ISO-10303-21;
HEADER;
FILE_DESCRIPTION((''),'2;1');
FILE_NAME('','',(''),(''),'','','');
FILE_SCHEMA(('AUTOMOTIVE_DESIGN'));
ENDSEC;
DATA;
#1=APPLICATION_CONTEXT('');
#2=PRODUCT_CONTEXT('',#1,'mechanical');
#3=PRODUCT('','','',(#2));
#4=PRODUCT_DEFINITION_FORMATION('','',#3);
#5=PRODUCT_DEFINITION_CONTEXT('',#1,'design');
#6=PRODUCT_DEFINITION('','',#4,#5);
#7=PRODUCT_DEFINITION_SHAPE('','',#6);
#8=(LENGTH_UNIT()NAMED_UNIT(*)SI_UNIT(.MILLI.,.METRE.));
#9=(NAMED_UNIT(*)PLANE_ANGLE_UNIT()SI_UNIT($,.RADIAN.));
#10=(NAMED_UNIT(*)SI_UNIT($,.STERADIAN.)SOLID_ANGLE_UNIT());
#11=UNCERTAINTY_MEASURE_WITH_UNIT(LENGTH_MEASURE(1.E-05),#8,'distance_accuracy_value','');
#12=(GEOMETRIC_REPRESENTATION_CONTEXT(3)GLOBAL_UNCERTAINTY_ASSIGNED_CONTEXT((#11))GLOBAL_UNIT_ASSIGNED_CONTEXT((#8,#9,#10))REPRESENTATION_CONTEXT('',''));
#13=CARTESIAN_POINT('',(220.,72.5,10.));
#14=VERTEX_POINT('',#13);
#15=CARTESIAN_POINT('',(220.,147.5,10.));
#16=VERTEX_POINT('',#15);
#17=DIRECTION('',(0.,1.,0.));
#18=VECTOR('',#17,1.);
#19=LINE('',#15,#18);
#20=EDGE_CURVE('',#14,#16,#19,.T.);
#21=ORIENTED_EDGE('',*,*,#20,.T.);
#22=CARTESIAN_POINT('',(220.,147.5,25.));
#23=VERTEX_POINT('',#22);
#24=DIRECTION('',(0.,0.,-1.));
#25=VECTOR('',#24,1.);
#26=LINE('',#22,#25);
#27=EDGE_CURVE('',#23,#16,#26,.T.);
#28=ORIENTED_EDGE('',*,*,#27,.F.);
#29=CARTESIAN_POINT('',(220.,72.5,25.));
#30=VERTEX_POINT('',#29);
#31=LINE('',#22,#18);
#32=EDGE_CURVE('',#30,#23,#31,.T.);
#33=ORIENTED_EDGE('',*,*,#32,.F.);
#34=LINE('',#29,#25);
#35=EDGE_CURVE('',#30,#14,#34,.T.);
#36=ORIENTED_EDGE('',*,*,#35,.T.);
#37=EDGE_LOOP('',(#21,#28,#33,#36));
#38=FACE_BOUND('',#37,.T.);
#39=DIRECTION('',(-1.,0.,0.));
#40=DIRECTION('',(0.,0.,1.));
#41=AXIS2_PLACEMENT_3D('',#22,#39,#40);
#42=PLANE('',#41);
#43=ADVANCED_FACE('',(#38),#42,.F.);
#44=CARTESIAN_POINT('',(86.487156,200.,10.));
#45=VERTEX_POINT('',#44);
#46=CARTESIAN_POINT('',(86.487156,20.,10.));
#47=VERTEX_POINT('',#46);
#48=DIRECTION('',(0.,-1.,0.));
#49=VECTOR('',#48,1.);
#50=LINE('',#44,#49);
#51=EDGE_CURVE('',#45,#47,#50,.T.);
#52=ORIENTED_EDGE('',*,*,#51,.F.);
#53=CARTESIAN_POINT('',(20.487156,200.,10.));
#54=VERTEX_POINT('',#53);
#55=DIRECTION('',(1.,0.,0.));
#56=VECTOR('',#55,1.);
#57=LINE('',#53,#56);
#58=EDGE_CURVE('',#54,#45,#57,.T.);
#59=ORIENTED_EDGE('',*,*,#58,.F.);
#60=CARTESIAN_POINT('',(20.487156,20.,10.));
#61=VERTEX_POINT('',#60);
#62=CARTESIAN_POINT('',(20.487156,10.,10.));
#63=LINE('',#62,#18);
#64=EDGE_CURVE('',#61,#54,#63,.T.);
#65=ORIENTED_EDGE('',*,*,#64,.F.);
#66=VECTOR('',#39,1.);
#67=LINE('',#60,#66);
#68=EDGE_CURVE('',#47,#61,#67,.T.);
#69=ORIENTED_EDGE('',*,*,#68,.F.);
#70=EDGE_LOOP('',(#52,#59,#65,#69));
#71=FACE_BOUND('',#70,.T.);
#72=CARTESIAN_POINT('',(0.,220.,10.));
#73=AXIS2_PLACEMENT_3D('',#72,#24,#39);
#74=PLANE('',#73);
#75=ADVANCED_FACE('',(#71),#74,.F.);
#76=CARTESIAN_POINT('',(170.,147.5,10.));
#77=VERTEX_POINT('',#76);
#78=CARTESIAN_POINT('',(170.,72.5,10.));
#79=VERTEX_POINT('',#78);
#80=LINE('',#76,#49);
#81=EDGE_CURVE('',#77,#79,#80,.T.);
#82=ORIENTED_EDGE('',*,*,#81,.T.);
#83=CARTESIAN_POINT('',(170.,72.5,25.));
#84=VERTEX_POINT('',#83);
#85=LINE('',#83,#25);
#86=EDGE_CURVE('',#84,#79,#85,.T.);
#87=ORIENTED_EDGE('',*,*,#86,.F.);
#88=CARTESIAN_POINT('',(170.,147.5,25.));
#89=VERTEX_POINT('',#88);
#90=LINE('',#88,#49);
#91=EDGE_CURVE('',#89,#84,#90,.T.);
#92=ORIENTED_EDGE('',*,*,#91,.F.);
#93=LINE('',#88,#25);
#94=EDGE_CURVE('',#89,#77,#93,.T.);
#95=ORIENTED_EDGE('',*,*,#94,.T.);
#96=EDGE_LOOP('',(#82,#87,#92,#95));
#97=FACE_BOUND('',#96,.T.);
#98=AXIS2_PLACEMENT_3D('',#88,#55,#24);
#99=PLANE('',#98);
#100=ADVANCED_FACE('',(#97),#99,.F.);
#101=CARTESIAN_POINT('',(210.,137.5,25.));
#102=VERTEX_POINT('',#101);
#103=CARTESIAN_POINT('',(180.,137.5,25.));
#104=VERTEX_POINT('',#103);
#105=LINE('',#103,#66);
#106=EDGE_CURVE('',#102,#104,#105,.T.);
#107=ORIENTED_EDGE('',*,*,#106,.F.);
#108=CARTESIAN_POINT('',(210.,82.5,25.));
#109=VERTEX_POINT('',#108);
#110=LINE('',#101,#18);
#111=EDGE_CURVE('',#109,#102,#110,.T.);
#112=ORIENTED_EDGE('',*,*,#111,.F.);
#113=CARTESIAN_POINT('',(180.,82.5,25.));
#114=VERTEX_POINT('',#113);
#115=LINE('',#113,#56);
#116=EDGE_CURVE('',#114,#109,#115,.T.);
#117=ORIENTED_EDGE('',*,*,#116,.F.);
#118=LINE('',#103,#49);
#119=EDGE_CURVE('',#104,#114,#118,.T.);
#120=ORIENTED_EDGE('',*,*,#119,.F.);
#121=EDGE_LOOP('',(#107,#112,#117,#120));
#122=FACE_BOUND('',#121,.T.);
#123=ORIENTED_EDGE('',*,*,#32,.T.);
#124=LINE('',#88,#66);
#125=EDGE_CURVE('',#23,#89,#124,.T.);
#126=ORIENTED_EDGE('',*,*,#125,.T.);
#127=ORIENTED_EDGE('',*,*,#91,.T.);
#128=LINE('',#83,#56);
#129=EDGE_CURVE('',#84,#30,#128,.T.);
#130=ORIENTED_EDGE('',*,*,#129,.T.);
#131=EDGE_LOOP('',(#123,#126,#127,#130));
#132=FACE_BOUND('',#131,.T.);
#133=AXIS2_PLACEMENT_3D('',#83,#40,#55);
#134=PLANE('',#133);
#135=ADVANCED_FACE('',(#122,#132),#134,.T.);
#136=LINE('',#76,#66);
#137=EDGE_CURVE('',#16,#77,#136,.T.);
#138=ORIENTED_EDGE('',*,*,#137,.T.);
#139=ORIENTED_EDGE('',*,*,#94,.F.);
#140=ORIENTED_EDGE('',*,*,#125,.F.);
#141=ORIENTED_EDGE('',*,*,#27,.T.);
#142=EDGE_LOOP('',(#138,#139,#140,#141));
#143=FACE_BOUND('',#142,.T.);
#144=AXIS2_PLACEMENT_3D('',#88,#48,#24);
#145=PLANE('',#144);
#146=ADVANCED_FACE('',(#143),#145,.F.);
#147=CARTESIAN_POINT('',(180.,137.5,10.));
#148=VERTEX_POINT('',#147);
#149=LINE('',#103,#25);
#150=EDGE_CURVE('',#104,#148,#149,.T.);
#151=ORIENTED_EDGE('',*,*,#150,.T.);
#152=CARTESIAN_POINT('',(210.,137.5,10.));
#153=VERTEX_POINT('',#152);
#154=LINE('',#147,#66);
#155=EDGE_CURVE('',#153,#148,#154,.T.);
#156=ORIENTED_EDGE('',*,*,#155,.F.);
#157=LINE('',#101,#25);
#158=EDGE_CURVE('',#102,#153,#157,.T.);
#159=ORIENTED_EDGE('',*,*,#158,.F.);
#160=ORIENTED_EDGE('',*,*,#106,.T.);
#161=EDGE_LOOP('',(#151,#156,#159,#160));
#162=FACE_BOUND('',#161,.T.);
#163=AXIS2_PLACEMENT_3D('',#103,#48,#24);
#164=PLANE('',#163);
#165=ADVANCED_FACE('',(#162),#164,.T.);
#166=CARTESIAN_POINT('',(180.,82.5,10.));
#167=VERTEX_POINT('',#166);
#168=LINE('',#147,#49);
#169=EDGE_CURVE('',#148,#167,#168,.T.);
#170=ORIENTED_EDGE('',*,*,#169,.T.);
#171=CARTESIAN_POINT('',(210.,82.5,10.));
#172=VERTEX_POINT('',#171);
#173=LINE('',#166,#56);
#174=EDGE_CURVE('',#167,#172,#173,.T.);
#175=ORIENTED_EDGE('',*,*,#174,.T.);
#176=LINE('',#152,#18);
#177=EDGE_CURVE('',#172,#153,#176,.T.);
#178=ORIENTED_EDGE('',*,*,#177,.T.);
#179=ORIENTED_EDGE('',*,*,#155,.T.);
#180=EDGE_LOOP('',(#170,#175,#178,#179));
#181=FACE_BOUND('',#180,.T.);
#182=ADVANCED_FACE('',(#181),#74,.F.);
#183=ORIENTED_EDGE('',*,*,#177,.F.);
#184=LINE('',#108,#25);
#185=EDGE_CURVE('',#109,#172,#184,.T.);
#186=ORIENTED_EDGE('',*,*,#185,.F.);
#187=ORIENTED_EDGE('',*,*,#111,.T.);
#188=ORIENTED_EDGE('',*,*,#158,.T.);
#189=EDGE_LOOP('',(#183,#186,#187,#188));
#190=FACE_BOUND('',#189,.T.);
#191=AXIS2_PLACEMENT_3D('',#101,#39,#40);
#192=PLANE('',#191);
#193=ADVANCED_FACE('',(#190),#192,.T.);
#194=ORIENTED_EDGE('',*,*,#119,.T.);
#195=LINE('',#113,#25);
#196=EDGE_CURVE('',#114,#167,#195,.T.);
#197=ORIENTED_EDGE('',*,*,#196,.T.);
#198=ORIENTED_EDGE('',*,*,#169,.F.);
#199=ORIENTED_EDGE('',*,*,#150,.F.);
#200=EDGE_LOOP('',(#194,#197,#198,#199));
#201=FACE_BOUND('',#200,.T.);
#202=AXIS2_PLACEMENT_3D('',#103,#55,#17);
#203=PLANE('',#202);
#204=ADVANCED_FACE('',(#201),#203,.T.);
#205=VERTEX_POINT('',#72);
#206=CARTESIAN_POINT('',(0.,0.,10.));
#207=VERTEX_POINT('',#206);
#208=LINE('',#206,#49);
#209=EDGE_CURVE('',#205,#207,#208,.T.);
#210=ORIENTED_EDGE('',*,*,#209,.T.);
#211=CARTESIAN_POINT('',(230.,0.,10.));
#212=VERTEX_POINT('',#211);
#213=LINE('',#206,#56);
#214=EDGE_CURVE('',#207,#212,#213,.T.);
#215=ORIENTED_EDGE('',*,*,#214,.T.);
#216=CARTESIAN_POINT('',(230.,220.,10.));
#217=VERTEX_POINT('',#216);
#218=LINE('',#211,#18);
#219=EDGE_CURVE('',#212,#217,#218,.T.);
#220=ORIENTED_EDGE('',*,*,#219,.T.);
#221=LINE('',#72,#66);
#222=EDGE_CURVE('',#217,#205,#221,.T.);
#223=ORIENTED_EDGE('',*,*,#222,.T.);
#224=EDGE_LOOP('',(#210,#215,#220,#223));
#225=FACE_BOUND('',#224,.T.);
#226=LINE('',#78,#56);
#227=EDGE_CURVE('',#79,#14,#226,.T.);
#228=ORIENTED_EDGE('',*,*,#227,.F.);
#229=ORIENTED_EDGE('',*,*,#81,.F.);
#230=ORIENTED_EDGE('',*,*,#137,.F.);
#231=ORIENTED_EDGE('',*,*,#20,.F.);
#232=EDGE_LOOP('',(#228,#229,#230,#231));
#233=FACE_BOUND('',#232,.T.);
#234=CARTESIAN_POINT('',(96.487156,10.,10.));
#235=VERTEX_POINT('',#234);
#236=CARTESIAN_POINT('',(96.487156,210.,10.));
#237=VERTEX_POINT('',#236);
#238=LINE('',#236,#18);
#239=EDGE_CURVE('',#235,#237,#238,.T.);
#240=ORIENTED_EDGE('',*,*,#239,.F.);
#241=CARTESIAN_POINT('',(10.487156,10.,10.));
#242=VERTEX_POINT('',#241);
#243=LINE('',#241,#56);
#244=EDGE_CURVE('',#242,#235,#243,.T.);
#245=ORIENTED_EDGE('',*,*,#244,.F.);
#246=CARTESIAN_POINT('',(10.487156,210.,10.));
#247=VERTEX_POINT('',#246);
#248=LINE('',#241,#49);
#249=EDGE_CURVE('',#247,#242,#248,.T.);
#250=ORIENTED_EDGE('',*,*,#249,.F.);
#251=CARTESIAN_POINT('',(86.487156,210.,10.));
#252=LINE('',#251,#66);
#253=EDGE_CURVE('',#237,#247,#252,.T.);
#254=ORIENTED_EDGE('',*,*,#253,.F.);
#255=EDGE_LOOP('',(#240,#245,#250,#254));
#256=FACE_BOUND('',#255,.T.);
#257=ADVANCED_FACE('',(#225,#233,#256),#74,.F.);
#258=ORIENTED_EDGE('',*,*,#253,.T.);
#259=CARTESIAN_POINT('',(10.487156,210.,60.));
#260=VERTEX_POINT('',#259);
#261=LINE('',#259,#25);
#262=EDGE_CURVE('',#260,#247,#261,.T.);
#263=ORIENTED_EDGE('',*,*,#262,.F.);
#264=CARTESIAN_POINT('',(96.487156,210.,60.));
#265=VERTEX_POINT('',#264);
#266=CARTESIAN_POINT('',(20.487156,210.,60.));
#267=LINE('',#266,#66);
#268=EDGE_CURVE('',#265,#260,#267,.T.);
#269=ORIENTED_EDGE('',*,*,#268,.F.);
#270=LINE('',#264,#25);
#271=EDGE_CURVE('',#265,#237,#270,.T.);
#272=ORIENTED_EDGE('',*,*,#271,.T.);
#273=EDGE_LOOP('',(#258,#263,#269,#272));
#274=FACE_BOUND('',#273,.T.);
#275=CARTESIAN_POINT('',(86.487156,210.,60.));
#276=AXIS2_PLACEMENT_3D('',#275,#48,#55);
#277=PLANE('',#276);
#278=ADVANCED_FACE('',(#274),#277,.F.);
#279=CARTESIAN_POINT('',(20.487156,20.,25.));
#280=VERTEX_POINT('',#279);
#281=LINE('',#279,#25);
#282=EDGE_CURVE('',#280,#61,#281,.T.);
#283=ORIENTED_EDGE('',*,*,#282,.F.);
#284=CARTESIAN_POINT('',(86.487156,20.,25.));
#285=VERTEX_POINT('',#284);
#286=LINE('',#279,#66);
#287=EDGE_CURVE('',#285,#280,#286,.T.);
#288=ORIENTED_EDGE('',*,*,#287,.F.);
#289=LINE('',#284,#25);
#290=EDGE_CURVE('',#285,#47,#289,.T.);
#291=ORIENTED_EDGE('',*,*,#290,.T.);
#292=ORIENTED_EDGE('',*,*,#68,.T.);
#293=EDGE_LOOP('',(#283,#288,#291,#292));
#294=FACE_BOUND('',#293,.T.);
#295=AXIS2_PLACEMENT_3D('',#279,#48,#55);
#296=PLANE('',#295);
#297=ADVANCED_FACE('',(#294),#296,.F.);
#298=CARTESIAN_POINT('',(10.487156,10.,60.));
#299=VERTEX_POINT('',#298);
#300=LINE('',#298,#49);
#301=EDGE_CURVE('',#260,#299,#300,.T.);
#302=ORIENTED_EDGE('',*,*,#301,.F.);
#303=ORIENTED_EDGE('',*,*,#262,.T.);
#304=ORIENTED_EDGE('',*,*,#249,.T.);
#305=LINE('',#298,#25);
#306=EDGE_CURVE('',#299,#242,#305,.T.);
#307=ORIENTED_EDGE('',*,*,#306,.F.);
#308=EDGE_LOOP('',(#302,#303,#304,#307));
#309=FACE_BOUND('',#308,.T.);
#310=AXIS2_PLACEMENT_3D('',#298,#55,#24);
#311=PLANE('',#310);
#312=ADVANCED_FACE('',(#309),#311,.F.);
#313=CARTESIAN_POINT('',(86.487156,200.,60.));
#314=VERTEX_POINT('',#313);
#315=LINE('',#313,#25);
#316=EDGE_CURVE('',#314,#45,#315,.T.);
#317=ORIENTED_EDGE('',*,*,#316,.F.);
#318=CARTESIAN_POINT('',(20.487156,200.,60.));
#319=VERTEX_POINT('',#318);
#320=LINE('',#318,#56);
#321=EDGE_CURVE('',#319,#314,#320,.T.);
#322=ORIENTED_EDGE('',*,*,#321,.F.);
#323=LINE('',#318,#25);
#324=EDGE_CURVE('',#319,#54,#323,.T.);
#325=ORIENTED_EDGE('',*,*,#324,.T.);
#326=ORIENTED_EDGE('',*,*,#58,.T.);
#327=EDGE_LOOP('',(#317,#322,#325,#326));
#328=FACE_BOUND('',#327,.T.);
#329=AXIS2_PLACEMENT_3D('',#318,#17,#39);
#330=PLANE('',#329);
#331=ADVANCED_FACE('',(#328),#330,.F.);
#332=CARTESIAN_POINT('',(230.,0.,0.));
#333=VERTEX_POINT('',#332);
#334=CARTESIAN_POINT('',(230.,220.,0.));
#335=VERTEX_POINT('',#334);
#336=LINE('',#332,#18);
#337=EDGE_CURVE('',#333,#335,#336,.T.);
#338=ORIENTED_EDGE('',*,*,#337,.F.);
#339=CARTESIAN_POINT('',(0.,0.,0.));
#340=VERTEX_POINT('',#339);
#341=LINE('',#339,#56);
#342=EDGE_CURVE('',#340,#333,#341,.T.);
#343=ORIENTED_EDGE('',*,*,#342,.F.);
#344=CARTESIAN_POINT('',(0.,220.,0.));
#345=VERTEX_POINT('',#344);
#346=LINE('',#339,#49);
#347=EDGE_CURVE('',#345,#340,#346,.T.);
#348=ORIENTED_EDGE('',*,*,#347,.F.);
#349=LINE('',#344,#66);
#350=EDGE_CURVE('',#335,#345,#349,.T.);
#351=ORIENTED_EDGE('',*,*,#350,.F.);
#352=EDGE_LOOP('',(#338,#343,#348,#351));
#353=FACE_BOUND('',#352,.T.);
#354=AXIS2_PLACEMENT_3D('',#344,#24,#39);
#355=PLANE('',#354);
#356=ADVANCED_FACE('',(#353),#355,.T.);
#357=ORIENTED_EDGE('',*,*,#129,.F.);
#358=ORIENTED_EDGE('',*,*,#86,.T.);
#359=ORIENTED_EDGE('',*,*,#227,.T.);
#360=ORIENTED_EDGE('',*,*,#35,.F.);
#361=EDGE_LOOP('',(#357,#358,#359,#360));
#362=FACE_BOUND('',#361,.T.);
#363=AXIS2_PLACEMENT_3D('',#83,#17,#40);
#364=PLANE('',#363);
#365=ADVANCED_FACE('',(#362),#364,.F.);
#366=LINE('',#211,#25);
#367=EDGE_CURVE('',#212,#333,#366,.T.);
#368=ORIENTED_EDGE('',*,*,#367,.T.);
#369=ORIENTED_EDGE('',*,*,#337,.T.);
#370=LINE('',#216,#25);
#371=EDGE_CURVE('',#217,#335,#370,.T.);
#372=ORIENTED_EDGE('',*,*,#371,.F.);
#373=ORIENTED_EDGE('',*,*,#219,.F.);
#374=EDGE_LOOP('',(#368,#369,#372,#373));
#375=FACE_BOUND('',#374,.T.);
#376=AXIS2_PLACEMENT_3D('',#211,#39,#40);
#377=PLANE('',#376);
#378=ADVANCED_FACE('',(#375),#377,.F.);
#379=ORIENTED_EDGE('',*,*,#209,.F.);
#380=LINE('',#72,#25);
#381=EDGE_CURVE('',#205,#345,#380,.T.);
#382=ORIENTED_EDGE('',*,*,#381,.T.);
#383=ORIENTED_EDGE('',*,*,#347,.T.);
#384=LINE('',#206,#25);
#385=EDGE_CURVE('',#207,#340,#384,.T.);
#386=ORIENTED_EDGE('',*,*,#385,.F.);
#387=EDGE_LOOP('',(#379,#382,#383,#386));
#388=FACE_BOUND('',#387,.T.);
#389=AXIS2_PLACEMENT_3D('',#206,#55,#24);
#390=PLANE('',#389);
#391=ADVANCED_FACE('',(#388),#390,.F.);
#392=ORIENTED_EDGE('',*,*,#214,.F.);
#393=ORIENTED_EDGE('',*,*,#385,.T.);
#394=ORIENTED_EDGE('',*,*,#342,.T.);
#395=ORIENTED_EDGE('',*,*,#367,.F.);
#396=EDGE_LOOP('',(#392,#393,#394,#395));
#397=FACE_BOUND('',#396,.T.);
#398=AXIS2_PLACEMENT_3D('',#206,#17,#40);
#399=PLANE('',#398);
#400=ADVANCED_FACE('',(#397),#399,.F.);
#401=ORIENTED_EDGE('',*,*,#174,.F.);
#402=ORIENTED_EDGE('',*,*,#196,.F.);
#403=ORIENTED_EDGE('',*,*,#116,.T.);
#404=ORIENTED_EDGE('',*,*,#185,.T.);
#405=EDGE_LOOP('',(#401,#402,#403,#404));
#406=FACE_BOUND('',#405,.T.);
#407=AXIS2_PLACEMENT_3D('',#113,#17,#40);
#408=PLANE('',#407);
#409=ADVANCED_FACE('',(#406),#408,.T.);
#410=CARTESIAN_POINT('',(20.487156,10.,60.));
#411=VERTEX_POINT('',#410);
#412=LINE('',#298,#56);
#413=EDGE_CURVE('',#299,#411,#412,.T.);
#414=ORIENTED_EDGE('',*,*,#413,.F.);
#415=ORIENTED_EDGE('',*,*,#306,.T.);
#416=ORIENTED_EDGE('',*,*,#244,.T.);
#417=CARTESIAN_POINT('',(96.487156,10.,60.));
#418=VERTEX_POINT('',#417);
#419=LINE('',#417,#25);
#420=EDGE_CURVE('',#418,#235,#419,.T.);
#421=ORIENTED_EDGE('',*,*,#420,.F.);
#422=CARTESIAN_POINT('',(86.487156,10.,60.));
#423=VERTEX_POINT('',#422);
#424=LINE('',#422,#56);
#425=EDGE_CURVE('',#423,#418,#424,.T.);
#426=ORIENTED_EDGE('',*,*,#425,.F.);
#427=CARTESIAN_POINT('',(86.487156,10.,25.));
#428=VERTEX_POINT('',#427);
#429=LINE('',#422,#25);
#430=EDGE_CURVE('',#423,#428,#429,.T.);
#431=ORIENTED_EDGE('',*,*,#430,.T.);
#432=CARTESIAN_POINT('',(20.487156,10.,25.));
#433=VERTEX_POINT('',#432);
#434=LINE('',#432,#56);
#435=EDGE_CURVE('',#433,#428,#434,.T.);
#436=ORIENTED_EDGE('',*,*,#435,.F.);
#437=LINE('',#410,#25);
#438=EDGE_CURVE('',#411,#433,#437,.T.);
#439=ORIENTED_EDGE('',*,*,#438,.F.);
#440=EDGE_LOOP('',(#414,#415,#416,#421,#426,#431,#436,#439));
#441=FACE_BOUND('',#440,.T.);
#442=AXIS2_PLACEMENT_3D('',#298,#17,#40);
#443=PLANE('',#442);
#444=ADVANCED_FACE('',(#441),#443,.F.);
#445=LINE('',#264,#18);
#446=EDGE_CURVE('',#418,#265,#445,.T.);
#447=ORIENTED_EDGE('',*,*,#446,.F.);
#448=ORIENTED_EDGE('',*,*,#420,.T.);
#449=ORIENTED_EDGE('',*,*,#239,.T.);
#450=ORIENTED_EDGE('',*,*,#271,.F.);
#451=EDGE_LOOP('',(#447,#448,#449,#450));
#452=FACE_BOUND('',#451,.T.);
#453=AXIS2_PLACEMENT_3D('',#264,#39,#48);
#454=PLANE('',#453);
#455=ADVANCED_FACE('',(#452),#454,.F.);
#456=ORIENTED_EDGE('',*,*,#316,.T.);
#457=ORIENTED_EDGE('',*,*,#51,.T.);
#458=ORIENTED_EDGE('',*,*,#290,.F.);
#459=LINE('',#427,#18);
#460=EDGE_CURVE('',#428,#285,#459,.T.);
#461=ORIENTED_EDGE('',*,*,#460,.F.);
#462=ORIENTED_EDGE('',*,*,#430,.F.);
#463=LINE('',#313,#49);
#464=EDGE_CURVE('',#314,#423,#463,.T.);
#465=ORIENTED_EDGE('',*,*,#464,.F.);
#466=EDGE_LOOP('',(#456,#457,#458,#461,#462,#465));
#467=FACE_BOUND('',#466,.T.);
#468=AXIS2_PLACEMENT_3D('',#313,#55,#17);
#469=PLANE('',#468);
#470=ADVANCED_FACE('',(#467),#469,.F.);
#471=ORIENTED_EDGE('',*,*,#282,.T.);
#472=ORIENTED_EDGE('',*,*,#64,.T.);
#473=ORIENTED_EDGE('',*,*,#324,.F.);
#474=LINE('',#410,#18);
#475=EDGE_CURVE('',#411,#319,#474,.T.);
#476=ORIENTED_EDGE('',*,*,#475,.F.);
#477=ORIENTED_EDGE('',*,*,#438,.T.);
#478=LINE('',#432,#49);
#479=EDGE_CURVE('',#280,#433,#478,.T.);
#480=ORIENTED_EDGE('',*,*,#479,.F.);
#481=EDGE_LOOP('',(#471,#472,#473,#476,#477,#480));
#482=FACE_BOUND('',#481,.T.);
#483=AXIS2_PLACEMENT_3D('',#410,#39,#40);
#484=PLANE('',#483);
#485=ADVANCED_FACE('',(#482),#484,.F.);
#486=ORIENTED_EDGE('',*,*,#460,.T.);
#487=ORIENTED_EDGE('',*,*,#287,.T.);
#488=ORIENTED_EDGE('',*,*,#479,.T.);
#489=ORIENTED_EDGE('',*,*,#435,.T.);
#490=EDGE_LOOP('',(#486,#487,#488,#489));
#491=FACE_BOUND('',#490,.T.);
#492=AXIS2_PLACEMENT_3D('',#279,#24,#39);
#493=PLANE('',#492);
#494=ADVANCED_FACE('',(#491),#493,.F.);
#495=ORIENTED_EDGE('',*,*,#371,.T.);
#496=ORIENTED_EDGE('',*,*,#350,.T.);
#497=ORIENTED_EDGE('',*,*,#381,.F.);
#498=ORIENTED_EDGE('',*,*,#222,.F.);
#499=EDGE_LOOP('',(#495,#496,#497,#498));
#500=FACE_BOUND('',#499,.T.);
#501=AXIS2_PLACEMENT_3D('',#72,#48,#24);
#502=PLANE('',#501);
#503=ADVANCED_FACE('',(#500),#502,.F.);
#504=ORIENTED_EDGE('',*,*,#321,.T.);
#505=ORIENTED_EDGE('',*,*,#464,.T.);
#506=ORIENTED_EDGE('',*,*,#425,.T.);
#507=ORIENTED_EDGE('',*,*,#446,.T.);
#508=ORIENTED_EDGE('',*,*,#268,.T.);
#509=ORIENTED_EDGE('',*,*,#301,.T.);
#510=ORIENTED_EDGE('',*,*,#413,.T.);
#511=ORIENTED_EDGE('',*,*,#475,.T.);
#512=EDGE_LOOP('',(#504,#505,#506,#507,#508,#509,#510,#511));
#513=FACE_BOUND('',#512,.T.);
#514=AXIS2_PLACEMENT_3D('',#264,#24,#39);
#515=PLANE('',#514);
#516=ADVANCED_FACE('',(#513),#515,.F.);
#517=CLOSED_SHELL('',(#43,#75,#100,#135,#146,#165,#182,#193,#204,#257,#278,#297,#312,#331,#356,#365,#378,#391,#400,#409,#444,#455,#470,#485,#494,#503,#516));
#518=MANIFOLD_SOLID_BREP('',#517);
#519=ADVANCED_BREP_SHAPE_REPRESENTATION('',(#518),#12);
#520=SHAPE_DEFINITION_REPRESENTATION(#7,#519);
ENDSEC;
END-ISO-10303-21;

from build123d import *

# Parameters (mm, degrees)
ESQUISSE1_W        = 230
ESQUISSE1_H        = 220
BOSS_EXTRU_1_DEPTH = 10
BOSS_EXTRU_2_DEPTH = 50
ESQUISSE3_W        = 66
ESQUISSE3_H        = 10
BOSS_EXTRU_3_DEPTH = 15
ESQUISSE4_W        = 50
ESQUISSE4_H        = 75
ESQUISSE4_W_2      = 30
ESQUISSE4_H_2      = 55
BOSS_EXTRU_4_DEPTH = 15


with BuildPart() as part:
    # Esquisse1 → Boss.-Extru.1 (new body)
    with BuildSketch(Plane.XY):
        with Locations((115, 110)):
            Rectangle(ESQUISSE1_W, ESQUISSE1_H)
    extrude(amount=BOSS_EXTRU_1_DEPTH)

    # Esquisse2 → Boss.-Extru.2 (add)
    with BuildSketch(Plane.XY.offset(10)):
        Polygon((10.487156365, 10), (20.487156365, 10), (20.487156365, 200), (86.487156365, 200), (86.487156365, 10), (96.487156365, 10), (96.487156365, 210), (86.487156365, 210), (20.487156365, 210), (10.487156365, 210), align=None)
    extrude(amount=BOSS_EXTRU_2_DEPTH)

    # Esquisse3 → Boss.-Extru.3 (add)
    with BuildSketch(Plane.XY.offset(10)):
        with Locations((53.487156365, 15)):
            Rectangle(ESQUISSE3_W, ESQUISSE3_H)
    extrude(amount=BOSS_EXTRU_3_DEPTH)

    # Esquisse4 → Boss.-Extru.4 (add)
    with BuildSketch(Plane.XY.offset(10)):
        with Locations((195, 110)):
            Rectangle(ESQUISSE4_W, ESQUISSE4_H)
        with Locations((195, 110)):
            Rectangle(ESQUISSE4_W_2, ESQUISSE4_H_2, mode=Mode.SUBTRACT)
    extrude(amount=BOSS_EXTRU_4_DEPTH)


solid = part.part
